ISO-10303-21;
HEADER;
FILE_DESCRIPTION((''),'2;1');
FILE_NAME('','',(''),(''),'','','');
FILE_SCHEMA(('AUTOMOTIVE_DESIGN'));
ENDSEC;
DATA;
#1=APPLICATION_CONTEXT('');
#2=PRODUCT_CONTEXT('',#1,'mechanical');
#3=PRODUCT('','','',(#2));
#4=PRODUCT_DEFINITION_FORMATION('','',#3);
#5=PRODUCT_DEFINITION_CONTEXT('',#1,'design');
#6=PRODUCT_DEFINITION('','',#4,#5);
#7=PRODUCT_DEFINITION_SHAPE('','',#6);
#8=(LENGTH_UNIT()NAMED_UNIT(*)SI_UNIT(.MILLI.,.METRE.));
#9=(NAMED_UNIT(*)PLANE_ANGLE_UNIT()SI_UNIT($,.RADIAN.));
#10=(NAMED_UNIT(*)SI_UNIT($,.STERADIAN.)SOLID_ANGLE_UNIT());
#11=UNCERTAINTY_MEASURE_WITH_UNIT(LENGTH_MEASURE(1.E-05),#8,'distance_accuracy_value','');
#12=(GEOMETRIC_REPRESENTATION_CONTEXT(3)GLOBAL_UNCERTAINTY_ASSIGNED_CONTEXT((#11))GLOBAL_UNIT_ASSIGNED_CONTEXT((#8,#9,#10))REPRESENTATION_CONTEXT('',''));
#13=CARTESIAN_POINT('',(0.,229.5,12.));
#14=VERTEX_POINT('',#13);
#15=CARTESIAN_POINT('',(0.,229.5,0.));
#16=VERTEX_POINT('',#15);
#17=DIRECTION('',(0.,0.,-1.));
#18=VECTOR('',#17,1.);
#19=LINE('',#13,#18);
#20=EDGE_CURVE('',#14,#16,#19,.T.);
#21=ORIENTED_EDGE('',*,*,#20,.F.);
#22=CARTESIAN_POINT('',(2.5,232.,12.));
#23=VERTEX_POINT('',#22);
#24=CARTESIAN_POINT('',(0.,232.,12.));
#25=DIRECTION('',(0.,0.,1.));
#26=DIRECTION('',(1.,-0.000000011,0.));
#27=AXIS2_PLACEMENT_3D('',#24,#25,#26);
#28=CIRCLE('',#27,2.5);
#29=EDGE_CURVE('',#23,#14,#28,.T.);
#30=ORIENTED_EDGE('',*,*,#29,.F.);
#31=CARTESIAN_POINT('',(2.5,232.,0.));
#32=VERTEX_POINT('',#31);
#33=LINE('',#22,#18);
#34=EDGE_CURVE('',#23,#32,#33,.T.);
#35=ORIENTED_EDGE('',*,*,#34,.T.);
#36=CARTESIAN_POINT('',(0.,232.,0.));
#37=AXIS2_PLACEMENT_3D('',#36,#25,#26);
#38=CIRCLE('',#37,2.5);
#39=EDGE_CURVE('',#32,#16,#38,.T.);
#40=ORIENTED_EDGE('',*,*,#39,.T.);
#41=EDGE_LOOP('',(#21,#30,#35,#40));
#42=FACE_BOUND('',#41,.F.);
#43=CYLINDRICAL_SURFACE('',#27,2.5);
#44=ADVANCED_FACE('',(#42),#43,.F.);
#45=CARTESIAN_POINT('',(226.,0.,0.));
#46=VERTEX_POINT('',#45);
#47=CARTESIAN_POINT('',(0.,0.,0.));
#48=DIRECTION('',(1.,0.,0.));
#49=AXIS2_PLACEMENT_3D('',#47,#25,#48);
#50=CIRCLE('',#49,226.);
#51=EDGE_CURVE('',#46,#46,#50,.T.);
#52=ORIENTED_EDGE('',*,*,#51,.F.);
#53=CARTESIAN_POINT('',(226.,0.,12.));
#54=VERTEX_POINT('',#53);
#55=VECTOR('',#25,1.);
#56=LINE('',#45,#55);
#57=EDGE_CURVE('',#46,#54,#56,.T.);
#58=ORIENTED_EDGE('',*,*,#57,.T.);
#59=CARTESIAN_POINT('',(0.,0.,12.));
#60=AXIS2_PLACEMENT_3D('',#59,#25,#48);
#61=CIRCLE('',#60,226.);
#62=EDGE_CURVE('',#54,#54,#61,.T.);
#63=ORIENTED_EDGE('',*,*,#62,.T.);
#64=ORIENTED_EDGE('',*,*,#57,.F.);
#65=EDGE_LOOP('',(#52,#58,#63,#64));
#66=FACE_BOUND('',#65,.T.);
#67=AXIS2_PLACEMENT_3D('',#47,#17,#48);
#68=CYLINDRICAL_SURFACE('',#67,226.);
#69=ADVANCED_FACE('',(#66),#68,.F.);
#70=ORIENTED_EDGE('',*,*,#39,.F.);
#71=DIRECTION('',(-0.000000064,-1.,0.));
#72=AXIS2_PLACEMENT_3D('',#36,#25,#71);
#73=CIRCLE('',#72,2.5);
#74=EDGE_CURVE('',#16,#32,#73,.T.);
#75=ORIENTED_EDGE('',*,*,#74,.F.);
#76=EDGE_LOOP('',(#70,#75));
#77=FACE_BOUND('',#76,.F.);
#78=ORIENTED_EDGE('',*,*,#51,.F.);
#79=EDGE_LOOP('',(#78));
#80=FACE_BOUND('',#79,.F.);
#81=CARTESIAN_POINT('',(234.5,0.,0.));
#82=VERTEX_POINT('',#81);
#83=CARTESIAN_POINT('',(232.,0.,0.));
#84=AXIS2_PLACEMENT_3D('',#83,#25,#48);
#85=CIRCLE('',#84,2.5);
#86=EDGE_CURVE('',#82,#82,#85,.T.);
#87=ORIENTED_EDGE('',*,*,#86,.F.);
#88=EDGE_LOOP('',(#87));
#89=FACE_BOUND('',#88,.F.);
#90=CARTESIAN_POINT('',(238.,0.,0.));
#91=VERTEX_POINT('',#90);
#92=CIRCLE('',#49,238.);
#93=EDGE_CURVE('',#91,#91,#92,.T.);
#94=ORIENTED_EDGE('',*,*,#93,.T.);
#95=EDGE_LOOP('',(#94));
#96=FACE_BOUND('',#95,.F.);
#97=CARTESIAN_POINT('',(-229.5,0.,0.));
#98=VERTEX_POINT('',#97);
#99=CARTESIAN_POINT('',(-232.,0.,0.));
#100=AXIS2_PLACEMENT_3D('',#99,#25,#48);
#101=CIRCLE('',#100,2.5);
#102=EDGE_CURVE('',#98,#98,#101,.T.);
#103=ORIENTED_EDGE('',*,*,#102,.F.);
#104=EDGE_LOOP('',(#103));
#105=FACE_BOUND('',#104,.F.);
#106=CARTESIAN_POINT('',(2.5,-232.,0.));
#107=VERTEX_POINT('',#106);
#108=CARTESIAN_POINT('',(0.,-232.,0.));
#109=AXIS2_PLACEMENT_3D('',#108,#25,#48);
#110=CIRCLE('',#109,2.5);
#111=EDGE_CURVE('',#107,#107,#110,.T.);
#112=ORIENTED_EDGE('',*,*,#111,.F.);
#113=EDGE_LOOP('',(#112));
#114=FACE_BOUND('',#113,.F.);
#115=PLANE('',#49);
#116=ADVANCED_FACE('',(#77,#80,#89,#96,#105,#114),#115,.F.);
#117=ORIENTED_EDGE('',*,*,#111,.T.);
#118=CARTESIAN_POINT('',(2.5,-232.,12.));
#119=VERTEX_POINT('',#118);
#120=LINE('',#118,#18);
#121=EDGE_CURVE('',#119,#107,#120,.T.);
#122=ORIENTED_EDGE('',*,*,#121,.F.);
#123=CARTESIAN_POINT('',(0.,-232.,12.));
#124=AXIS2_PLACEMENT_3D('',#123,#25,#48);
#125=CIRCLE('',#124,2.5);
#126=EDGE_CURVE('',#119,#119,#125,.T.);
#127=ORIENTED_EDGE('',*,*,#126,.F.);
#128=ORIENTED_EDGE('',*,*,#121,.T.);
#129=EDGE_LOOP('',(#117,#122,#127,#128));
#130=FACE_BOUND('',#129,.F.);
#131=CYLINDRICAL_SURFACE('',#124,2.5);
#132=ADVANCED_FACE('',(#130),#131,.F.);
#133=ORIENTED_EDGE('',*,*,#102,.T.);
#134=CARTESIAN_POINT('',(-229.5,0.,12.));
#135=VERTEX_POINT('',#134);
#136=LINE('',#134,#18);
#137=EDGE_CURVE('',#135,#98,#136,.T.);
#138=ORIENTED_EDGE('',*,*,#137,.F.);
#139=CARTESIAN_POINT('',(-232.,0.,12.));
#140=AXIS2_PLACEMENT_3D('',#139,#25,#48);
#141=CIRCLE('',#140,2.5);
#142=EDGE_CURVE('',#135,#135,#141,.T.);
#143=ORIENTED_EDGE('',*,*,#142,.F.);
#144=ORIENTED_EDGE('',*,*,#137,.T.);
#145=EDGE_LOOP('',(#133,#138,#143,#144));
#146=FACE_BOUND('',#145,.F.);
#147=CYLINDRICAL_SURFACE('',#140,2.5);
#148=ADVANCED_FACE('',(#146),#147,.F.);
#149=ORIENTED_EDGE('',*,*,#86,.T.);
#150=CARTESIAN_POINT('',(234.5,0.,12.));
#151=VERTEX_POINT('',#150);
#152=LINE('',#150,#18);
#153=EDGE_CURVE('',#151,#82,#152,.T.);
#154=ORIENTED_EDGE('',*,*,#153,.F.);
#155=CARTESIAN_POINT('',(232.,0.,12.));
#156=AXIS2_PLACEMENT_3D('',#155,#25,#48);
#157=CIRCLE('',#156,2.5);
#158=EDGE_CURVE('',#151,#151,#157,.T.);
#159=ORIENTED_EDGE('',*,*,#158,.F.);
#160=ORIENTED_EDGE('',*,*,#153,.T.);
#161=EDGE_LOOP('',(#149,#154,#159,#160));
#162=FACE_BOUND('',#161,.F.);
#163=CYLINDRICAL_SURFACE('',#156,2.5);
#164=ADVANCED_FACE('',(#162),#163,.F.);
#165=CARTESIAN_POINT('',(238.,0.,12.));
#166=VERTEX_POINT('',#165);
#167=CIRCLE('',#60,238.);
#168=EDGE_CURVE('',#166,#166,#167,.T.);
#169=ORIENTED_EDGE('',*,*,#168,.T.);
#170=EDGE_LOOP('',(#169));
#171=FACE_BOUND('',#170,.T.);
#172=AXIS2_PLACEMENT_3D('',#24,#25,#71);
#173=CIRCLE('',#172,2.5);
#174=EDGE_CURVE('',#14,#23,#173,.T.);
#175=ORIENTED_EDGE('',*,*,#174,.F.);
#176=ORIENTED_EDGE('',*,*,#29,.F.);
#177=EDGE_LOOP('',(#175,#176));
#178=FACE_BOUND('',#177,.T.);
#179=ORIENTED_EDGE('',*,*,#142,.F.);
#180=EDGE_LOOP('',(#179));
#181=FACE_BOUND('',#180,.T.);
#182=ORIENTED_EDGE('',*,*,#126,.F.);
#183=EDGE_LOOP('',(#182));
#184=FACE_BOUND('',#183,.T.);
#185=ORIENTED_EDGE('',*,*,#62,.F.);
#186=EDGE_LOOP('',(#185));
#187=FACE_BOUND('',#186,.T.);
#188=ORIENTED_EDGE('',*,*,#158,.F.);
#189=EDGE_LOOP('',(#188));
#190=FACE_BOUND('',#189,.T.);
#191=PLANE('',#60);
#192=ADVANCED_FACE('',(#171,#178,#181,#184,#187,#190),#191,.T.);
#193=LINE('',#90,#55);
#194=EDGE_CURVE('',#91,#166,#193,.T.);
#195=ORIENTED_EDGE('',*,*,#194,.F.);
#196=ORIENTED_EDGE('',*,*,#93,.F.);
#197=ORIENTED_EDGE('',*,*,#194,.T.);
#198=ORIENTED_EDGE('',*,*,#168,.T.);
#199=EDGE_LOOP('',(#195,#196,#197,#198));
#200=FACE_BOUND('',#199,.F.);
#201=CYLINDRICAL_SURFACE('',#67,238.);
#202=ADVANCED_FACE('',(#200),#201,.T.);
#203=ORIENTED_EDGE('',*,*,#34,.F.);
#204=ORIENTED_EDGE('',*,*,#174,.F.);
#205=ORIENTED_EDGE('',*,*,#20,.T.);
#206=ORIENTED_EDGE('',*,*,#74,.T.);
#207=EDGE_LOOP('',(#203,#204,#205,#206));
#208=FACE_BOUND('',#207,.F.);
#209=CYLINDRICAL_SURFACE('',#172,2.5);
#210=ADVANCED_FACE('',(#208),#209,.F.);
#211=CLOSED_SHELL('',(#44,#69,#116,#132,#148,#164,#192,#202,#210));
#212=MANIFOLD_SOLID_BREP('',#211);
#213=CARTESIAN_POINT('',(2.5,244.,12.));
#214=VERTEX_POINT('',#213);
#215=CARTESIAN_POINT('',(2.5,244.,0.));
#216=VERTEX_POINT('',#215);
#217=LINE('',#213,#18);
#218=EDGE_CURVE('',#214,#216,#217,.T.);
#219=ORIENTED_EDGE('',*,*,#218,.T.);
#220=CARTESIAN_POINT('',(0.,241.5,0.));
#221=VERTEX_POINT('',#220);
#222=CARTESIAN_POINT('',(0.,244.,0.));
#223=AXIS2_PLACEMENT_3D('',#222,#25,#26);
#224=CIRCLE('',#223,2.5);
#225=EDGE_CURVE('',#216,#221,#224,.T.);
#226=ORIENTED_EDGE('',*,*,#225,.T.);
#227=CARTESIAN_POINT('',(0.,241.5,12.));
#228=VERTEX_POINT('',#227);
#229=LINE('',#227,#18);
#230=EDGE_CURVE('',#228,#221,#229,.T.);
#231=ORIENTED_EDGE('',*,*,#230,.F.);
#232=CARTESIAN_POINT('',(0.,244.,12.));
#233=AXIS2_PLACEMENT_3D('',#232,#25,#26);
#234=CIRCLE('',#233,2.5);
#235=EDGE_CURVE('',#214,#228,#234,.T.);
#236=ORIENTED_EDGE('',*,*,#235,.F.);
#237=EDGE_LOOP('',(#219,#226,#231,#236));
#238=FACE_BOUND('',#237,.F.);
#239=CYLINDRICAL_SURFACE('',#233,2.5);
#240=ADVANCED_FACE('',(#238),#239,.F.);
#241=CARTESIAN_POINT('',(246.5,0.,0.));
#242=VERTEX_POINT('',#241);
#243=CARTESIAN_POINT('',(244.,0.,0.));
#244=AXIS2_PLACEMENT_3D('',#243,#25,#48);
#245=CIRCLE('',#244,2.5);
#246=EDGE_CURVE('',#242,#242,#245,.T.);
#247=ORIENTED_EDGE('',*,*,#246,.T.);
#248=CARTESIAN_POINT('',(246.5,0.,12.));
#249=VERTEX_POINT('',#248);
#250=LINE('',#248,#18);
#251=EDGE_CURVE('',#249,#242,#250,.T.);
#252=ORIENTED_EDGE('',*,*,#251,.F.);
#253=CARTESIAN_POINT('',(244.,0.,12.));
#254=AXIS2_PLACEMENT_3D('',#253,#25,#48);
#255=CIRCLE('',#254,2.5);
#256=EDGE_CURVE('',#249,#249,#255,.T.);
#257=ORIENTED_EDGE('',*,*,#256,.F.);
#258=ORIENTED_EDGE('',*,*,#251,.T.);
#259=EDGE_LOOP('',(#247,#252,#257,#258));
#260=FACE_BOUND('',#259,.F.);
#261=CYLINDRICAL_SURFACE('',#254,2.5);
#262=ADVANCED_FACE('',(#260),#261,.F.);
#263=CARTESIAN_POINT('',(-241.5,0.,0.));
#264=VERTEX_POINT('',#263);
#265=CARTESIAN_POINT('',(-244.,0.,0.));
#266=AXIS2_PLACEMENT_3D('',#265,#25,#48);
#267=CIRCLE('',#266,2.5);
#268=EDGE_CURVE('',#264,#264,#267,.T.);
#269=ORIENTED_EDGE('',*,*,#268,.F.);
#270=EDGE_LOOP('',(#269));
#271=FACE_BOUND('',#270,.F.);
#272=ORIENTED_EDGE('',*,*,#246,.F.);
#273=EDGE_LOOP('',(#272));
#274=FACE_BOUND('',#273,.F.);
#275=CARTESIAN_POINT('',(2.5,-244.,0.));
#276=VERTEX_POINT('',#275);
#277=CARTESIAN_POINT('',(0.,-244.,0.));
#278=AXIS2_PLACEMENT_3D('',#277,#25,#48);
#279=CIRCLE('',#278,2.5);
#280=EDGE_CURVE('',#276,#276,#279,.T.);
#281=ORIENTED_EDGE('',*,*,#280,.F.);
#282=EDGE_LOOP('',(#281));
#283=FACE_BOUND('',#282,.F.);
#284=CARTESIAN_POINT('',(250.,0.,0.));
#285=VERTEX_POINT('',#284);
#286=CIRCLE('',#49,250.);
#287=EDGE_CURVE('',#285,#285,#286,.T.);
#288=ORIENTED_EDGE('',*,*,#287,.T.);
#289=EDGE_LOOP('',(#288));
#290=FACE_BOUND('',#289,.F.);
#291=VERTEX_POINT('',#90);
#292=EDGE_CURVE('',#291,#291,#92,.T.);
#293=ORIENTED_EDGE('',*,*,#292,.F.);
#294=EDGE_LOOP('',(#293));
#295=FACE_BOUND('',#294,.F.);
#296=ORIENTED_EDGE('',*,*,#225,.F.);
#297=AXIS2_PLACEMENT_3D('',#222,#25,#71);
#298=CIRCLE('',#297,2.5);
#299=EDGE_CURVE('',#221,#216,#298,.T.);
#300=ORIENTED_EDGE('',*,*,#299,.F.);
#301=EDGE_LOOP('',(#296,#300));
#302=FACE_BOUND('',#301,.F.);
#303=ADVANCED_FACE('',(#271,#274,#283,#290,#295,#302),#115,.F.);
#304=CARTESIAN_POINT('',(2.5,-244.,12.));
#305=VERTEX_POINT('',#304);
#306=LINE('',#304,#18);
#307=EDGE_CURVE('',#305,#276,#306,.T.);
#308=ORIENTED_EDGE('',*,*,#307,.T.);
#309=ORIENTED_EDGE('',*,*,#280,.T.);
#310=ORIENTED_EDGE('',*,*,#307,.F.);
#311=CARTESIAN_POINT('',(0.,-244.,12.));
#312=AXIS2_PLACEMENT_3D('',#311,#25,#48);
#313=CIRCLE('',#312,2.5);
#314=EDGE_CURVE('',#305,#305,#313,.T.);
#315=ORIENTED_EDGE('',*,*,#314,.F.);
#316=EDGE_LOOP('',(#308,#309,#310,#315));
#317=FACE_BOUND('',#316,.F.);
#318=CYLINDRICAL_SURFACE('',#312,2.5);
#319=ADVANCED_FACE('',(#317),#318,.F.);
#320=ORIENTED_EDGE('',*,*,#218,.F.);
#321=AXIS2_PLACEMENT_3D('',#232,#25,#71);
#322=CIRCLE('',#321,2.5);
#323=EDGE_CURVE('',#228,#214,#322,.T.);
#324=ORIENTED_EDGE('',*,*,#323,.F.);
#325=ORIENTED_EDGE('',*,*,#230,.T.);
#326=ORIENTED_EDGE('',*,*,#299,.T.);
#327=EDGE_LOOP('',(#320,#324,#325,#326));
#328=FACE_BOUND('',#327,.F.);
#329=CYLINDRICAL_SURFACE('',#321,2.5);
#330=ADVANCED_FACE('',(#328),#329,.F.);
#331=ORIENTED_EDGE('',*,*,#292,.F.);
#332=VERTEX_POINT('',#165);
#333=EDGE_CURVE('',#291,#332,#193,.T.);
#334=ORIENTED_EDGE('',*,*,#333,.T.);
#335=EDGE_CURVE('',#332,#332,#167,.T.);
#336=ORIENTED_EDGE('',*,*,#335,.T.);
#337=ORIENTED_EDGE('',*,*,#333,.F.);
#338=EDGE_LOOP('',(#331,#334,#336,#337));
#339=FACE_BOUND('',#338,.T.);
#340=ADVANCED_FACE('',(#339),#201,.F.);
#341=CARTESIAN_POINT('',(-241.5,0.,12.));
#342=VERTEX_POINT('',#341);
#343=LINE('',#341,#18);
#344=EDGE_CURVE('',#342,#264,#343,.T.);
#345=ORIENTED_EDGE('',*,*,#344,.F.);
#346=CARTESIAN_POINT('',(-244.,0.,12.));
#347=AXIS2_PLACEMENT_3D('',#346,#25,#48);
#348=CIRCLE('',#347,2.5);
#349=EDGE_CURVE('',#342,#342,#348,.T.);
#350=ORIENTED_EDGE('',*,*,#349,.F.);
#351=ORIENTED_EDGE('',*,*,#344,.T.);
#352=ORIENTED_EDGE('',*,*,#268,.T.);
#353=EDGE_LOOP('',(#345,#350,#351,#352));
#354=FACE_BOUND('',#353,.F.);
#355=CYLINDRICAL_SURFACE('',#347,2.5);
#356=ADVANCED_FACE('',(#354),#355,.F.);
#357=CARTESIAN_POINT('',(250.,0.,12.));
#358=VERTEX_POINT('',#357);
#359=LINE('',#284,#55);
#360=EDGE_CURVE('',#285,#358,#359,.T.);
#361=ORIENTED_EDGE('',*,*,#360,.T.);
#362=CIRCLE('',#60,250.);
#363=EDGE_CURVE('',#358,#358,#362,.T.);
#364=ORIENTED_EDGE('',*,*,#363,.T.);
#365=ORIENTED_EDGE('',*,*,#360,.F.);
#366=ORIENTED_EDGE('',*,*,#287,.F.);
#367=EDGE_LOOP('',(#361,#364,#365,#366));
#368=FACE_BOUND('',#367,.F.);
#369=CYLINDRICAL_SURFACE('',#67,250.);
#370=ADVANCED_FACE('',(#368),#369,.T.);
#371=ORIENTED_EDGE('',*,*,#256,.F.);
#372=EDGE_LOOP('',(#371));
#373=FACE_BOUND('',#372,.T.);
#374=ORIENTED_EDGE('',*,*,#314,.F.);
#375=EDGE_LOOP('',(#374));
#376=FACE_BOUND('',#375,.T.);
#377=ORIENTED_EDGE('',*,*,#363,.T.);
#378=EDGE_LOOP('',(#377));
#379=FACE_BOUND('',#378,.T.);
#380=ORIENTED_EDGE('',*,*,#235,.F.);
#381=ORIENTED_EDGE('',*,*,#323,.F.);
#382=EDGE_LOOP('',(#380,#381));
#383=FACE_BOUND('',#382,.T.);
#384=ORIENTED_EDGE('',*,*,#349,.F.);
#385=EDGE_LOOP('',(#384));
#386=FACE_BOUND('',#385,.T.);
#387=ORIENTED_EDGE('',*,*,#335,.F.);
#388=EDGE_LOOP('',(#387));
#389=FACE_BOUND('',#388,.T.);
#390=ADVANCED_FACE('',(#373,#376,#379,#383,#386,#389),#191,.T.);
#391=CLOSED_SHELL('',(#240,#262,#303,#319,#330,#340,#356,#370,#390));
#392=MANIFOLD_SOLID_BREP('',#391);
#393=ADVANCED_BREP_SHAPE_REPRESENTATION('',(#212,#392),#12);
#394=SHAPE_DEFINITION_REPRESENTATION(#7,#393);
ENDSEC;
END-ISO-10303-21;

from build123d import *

# Parameters (mm, degrees)
F0_R     = 250
F0_R_2   = 238
F1_DEPTH = 12
F2_R     = 238
F2_R_2   = 226
F3_DEPTH = 12
F4_R     = 2.5
F5_DEPTH = 12
F6_R     = 2.5
F7_DEPTH = 12


with BuildPart() as f1:
    # F0 (on Top) → F1 (new body)
    with BuildSketch(Plane.XY):
        Circle(F0_R)
        Circle(F0_R_2, mode=Mode.SUBTRACT)
    extrude(amount=F1_DEPTH)

    # F6 (on face) → F7 (cut)
    with BuildSketch(Plane.XY.offset(12)):
        with BuildLine():
            ThreePointArc((0, 241.5), (1.767767, 242.232233), (2.5, 244))
            ThreePointArc((2.5, 244), (-1.767767, 245.767767), (0, 241.5))
        make_face()
        with Locations((-244, 0)):
            Circle(F6_R)
        with Locations((0, -244)):
            Circle(F6_R)
        with Locations((244, 0)):
            Circle(F6_R)
    extrude(amount=-F7_DEPTH, mode=Mode.SUBTRACT)


with BuildPart() as f3:
    # F2 (on Top) → F3 (new body)
    with BuildSketch(Plane.XY):
        Circle(F2_R)
        Circle(F2_R_2, mode=Mode.SUBTRACT)
    extrude(amount=F3_DEPTH)

    # F4 (on face) → F5 (cut)
    with BuildSketch(Plane.XY.offset(12)):
        with BuildLine():
            ThreePointArc((0, 229.5), (1.767767, 230.232233), (2.5, 232))
            ThreePointArc((2.5, 232), (-1.767767, 233.767767), (0, 229.5))
        make_face()
        with Locations((-232, 0)):
            Circle(F4_R)
        with Locations((0, -232)):
            Circle(F4_R)
        with Locations((232, 0)):
            Circle(F4_R)
    extrude(amount=-F5_DEPTH, mode=Mode.SUBTRACT)


solid = Compound([f1.part, f3.part])
